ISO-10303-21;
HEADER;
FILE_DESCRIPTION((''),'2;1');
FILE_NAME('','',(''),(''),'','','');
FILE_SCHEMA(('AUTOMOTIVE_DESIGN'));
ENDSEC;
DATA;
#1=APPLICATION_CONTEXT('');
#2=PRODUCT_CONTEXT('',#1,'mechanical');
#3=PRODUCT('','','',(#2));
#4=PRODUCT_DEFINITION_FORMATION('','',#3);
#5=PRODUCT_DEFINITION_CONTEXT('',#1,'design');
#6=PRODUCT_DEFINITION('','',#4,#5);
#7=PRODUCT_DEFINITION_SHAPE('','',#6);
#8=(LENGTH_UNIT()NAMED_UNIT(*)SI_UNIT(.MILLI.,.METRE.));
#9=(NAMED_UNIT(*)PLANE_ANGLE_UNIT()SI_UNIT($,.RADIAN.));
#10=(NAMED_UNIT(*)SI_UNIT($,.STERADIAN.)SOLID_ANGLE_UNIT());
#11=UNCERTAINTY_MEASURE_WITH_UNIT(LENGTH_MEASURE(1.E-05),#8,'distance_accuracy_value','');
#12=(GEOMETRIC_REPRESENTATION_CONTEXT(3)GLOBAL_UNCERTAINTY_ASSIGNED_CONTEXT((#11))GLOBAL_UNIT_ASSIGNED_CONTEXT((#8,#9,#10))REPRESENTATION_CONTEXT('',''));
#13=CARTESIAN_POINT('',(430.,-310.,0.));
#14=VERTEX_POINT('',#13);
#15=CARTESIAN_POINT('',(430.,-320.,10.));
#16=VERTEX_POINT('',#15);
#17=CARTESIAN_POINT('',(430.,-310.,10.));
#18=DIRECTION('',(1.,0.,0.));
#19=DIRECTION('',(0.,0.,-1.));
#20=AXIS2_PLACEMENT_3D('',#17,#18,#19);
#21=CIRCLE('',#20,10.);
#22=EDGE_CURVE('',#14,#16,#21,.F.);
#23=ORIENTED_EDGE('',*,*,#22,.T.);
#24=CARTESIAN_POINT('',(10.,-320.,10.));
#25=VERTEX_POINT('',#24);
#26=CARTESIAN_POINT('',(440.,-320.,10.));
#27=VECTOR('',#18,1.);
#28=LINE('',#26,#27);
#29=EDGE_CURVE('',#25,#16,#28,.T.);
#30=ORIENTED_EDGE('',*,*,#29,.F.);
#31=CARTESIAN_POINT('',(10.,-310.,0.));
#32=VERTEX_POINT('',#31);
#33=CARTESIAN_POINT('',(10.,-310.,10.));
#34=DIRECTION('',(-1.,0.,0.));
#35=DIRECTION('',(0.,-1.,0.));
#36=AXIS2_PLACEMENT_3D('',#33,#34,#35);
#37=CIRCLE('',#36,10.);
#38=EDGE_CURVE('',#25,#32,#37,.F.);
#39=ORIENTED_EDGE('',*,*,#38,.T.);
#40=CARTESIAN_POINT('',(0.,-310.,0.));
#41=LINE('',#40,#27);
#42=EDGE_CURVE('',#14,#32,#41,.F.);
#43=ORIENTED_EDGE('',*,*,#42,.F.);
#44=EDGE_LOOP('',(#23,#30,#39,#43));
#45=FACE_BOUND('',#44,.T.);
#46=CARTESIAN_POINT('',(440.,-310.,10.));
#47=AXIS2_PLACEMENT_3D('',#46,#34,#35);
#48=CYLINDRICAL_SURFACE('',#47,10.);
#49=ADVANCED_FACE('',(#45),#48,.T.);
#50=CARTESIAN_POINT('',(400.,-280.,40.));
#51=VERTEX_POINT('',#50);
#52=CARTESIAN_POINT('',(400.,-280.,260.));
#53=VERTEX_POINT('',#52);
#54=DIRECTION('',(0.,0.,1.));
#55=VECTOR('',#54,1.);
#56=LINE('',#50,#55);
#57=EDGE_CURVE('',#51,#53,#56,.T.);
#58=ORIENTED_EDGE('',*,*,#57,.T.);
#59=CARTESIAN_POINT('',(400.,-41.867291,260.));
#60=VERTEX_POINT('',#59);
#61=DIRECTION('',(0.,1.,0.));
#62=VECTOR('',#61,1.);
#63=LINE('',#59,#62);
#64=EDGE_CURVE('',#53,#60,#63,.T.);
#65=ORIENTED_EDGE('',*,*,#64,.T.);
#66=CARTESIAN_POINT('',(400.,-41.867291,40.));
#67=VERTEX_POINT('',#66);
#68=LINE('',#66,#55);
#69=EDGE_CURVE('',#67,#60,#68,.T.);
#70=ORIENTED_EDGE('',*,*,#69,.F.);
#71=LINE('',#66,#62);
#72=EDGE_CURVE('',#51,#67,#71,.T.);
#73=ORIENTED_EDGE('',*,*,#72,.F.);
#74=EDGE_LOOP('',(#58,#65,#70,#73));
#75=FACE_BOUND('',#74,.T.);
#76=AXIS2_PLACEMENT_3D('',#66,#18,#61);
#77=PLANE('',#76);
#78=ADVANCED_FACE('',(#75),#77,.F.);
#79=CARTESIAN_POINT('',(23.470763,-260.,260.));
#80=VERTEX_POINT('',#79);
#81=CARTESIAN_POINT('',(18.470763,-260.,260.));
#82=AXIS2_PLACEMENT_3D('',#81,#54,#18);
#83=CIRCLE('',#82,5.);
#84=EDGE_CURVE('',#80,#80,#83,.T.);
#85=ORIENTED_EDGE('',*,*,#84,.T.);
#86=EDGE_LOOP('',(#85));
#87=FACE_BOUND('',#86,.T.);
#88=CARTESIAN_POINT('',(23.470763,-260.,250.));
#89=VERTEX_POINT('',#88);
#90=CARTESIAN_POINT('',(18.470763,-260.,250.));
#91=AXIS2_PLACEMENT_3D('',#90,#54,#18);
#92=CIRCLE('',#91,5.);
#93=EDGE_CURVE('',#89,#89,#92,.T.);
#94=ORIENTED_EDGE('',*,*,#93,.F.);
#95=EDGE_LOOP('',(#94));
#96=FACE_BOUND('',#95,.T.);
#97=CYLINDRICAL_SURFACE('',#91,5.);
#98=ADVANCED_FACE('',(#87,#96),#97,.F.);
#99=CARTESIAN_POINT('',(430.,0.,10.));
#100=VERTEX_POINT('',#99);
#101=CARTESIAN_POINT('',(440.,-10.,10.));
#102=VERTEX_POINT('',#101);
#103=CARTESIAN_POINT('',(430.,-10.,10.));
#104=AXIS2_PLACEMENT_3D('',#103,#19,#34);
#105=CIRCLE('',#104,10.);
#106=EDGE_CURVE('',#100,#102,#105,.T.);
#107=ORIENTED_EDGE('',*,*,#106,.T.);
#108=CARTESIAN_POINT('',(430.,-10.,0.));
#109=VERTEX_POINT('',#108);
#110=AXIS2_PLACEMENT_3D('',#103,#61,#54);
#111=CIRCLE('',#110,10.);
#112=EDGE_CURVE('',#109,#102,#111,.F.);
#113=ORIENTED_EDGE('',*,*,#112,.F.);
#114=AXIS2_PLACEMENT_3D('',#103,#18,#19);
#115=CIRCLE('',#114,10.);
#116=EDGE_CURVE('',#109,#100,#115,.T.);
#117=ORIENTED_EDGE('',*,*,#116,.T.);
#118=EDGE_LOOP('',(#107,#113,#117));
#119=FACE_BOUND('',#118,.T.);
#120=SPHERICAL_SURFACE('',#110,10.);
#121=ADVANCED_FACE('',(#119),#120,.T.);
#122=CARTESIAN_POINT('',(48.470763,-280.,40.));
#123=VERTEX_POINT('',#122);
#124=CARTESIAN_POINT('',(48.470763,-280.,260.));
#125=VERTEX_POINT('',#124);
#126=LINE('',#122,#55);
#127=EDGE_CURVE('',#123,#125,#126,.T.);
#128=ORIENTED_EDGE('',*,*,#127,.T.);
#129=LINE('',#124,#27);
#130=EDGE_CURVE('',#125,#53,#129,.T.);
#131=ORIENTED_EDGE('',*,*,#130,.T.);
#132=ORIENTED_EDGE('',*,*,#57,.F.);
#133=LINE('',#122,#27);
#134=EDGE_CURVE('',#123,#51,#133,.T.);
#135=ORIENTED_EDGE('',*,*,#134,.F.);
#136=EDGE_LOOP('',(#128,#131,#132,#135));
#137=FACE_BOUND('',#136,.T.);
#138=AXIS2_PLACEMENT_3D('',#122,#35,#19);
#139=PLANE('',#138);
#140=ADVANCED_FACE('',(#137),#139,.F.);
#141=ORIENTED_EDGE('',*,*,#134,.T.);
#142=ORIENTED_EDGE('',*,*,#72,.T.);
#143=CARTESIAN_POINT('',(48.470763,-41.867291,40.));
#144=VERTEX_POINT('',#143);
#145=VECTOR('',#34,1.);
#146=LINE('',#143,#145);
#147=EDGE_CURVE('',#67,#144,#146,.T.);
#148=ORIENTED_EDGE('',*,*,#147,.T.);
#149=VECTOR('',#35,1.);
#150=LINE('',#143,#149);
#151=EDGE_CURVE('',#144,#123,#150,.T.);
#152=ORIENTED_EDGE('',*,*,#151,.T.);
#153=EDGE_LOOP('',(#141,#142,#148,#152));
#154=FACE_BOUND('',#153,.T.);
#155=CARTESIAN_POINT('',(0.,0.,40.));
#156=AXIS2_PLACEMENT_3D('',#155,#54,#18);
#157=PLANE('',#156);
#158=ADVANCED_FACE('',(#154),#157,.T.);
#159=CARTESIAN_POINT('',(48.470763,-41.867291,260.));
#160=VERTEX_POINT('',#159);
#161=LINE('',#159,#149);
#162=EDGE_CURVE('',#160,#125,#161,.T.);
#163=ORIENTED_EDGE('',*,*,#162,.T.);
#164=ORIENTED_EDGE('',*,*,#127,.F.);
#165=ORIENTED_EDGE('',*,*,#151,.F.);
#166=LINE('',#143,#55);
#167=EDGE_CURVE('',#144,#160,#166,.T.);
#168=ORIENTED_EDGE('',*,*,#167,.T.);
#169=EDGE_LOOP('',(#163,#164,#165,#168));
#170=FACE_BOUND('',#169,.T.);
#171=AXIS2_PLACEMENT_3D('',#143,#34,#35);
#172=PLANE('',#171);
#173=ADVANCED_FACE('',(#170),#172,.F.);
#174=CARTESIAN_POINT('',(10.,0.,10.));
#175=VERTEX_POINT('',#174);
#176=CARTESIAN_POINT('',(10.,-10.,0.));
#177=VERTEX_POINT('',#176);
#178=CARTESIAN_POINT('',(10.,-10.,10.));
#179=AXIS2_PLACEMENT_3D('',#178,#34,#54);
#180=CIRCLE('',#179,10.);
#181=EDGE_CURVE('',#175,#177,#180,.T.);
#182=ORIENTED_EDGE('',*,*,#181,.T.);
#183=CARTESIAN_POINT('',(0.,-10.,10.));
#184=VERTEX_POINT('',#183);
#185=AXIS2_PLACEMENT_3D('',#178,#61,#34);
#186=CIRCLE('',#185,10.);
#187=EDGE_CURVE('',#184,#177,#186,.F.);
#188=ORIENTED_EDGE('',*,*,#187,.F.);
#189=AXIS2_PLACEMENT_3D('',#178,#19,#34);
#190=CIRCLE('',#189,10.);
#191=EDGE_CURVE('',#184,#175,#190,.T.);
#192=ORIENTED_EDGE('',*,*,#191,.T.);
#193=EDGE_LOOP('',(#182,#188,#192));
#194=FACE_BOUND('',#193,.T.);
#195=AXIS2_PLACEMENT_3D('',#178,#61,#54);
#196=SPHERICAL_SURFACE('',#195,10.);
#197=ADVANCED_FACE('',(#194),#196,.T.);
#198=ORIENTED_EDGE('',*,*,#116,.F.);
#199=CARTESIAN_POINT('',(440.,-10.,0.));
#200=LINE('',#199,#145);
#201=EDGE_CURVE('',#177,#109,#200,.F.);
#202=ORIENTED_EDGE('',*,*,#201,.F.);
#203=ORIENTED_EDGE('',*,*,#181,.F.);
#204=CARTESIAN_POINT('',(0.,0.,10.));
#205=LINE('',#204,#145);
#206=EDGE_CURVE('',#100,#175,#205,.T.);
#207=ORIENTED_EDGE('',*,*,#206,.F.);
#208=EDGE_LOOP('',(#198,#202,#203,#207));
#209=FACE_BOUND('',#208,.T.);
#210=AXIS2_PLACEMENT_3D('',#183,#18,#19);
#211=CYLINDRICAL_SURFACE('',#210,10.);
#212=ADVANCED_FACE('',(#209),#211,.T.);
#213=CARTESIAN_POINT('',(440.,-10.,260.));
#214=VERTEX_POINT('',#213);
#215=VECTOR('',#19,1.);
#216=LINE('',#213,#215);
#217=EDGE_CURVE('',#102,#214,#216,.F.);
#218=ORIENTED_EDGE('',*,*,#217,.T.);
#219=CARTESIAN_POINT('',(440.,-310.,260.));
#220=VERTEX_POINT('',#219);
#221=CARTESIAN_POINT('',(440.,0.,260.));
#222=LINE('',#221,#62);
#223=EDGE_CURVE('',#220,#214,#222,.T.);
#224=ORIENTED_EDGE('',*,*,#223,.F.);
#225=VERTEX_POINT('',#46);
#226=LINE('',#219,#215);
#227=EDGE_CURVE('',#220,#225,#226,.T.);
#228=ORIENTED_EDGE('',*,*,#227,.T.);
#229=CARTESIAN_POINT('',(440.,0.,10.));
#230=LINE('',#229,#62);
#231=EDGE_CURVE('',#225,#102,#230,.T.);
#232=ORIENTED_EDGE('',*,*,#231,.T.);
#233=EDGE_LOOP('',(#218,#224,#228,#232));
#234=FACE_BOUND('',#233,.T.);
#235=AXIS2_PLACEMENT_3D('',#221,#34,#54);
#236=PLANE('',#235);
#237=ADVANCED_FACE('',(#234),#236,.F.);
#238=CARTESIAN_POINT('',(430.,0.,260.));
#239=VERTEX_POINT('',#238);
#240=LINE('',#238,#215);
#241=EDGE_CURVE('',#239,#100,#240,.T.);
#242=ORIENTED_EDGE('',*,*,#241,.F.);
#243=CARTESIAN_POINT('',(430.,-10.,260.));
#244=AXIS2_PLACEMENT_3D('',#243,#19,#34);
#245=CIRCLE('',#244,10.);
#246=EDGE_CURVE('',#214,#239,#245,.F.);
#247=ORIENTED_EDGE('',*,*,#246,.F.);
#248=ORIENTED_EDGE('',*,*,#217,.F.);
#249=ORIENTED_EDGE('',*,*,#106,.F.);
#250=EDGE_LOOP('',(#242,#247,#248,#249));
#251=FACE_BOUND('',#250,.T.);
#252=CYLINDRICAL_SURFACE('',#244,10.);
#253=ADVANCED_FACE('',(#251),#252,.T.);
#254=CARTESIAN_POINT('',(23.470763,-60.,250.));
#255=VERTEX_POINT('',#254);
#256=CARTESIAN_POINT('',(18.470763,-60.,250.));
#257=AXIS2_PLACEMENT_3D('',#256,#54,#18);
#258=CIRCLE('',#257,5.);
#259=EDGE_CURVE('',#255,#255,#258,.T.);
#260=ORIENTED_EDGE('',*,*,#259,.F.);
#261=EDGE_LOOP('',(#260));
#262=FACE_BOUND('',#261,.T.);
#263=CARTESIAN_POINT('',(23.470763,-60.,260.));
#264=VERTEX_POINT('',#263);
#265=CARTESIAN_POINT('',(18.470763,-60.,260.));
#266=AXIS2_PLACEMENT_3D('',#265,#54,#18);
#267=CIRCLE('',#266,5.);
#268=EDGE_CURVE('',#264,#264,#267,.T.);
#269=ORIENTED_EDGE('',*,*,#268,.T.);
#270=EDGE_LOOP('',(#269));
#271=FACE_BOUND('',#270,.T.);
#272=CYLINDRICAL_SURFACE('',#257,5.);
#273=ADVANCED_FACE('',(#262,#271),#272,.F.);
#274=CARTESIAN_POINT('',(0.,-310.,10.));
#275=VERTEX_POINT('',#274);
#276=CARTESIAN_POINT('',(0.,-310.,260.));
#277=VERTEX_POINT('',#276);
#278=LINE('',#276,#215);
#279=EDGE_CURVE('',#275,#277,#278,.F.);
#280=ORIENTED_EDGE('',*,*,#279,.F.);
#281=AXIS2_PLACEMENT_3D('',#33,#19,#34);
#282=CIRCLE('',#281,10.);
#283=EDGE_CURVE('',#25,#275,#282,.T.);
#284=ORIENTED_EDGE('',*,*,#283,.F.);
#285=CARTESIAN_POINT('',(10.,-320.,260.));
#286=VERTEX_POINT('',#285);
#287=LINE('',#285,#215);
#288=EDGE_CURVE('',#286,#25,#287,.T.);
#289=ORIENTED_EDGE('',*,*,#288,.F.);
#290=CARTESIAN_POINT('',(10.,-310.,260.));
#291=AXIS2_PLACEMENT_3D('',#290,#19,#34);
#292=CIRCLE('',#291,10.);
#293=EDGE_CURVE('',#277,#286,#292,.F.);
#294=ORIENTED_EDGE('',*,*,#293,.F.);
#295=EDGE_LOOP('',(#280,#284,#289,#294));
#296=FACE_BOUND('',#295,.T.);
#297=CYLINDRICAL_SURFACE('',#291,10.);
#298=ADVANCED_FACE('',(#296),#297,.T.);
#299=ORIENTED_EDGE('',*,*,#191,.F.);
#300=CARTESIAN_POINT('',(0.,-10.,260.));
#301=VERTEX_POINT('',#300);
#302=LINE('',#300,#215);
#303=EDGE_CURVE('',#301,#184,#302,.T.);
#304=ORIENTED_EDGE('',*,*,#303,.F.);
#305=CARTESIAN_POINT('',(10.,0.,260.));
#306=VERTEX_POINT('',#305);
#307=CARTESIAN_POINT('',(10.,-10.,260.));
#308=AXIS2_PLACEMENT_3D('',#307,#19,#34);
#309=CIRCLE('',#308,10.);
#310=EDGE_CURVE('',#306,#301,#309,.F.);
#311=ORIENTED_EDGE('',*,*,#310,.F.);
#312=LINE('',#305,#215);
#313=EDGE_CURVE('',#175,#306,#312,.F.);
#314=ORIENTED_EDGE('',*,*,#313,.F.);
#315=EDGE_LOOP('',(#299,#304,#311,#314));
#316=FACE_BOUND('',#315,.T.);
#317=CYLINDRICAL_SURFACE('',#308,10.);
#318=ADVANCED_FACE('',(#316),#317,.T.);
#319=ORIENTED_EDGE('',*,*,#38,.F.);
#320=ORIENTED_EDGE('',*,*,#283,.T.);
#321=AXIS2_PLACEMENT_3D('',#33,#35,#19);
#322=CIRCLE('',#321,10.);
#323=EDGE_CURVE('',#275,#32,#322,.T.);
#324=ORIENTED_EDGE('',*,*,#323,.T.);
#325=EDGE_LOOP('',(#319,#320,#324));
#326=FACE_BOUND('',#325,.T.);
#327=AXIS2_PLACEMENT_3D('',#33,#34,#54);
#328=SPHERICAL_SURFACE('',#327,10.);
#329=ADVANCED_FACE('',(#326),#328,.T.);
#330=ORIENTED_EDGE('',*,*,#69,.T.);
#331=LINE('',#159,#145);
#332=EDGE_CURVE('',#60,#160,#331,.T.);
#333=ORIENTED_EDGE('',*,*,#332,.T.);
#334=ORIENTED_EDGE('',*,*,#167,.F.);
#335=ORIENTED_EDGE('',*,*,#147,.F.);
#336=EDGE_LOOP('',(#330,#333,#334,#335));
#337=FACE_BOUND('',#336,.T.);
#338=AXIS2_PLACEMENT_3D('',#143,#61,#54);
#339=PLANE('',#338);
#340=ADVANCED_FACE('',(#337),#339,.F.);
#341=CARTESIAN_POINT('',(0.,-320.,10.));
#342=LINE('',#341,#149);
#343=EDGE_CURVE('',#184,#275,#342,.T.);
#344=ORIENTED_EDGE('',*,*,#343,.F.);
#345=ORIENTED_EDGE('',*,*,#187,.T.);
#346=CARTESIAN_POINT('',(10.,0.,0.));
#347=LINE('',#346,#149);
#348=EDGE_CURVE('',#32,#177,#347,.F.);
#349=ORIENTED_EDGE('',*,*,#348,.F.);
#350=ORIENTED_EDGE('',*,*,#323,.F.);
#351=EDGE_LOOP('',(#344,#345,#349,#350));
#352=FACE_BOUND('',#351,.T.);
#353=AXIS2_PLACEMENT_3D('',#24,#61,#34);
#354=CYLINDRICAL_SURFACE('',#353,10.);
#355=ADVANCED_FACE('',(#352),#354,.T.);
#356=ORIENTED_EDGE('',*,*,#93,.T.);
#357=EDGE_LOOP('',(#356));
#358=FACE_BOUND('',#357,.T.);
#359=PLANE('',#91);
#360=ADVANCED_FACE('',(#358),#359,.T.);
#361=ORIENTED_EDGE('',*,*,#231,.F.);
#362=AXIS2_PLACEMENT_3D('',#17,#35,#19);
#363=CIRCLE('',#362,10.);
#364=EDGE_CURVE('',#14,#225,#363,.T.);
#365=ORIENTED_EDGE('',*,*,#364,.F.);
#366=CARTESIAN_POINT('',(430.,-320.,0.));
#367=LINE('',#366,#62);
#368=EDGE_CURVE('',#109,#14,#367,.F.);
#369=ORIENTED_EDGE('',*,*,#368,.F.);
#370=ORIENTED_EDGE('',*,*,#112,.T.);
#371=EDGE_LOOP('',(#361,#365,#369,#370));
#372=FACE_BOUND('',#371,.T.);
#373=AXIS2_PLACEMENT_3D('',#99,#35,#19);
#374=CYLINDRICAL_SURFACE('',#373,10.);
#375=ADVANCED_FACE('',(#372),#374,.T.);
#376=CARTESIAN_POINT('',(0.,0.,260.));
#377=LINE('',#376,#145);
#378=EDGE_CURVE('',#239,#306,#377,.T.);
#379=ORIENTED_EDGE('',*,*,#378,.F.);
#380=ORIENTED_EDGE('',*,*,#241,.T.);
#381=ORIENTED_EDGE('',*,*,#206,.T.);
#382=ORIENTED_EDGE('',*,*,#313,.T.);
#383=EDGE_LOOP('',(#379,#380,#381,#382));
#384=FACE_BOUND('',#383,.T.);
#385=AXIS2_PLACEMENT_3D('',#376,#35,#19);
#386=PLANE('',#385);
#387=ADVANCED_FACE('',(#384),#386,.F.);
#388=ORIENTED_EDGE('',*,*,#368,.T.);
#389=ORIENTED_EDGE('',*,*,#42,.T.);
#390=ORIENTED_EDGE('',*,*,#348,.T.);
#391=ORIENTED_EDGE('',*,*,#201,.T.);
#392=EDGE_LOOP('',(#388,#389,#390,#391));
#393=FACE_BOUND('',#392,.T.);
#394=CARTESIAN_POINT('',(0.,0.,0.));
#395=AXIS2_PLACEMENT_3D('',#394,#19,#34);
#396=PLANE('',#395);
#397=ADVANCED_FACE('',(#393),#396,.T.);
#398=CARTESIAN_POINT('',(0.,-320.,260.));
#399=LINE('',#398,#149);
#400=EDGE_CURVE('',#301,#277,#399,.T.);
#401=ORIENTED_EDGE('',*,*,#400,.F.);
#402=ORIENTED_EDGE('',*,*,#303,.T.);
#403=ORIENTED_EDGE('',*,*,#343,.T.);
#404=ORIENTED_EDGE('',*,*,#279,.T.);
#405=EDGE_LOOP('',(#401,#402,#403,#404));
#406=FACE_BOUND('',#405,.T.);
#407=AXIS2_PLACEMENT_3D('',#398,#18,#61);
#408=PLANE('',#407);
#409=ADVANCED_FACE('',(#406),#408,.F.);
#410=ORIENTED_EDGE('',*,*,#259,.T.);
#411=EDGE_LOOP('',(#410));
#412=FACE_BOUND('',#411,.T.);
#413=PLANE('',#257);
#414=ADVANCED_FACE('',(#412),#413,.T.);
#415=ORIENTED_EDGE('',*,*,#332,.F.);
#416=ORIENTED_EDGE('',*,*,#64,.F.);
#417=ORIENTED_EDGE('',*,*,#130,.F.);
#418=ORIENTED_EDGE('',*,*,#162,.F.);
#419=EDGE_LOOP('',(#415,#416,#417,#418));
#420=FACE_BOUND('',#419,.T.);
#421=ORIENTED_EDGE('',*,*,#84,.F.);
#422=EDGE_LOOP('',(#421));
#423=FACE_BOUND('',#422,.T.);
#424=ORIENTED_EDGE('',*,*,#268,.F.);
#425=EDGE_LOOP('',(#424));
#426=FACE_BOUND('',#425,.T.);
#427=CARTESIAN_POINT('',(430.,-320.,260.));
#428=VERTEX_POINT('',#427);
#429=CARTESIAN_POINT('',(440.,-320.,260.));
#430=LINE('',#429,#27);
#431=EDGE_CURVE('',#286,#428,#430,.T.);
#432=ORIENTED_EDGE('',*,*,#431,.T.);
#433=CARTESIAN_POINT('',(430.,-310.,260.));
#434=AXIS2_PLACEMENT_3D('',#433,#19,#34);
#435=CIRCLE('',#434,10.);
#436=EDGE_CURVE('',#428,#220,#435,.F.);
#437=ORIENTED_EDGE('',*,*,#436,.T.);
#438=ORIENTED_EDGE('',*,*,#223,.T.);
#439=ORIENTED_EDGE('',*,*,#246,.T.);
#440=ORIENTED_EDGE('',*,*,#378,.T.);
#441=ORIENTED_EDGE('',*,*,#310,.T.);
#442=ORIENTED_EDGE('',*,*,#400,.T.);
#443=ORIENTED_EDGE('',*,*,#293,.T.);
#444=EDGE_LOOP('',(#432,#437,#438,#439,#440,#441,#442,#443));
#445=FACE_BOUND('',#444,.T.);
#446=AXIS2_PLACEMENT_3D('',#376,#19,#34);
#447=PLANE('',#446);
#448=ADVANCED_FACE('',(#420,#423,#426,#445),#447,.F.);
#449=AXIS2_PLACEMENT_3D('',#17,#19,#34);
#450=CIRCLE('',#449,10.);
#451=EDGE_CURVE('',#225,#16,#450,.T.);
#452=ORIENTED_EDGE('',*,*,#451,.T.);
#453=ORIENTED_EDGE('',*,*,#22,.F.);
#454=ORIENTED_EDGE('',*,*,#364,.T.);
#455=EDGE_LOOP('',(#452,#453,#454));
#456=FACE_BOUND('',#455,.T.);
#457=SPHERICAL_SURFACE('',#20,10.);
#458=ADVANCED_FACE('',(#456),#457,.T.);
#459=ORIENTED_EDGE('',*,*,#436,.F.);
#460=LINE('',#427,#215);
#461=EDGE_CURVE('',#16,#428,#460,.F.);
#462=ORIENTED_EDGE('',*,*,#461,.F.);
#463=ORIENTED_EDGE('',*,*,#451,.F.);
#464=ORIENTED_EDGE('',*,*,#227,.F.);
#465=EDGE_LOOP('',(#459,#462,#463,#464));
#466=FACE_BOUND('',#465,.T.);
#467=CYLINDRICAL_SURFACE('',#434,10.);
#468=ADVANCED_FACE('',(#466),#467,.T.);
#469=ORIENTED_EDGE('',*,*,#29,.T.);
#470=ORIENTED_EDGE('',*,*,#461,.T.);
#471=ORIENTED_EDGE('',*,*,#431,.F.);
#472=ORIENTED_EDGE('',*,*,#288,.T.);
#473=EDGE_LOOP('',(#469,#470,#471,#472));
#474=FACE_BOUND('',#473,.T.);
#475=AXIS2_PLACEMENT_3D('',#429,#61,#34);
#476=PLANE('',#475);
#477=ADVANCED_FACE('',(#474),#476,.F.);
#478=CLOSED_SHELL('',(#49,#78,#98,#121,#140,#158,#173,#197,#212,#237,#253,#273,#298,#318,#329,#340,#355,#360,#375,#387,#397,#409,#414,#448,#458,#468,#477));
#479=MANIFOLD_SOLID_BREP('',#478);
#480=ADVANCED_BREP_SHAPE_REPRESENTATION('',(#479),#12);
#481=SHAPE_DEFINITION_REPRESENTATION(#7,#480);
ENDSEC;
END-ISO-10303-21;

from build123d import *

# Parameters (mm, degrees)
SKETCH_1_W          = 440
SKETCH_1_H          = 320
EXTRUDE_1_DEPTH     = 260
SKETCH_6_W          = 351.529236831
SKETCH_6_H          = 238.132708821
CUT_EXTRUDE_1_DEPTH = 220
FILLET_1_R          = 10
SKETCH_7_R          = 5
CUT_EXTRUDE_2_DEPTH = 10


with BuildPart() as part:
    # 草图1 → 凸台-拉伸1 (new body)
    with BuildSketch(Plane.XY):
        with Locations((220, -160)):
            Rectangle(SKETCH_1_W, SKETCH_1_H)
    extrude(amount=EXTRUDE_1_DEPTH)

    # 草图6 → 切除-拉伸1 (cut)
    with BuildSketch(Plane.XY.offset(260)):
        with Locations((224.235381585, -160.93364559)):
            Rectangle(SKETCH_6_W, SKETCH_6_H)
    extrude(amount=-CUT_EXTRUDE_1_DEPTH, mode=Mode.SUBTRACT)

    # 圆角1
    fillet_1_edges = [part.edges().sort_by_distance(p)[0] for p in [
        (220, 0, 0),
        (440, -160, 0),
        (220, -320, 0),
        (0, -160, 0),
        (0, 0, 130),
        (440, 0, 130),
        (440, -320, 130),
        (0, -320, 130),
    ]]
    fillet(fillet_1_edges, radius=FILLET_1_R)

    # 草图7 → 切除-拉伸2 (cut)
    with BuildSketch(Plane.XY.offset(260)):
        with Locations((18.470763169, -60)):
            Circle(SKETCH_7_R)
        with Locations((18.470763169, -260)):
            Circle(SKETCH_7_R)
    extrude(amount=-CUT_EXTRUDE_2_DEPTH, mode=Mode.SUBTRACT)


solid = part.part
